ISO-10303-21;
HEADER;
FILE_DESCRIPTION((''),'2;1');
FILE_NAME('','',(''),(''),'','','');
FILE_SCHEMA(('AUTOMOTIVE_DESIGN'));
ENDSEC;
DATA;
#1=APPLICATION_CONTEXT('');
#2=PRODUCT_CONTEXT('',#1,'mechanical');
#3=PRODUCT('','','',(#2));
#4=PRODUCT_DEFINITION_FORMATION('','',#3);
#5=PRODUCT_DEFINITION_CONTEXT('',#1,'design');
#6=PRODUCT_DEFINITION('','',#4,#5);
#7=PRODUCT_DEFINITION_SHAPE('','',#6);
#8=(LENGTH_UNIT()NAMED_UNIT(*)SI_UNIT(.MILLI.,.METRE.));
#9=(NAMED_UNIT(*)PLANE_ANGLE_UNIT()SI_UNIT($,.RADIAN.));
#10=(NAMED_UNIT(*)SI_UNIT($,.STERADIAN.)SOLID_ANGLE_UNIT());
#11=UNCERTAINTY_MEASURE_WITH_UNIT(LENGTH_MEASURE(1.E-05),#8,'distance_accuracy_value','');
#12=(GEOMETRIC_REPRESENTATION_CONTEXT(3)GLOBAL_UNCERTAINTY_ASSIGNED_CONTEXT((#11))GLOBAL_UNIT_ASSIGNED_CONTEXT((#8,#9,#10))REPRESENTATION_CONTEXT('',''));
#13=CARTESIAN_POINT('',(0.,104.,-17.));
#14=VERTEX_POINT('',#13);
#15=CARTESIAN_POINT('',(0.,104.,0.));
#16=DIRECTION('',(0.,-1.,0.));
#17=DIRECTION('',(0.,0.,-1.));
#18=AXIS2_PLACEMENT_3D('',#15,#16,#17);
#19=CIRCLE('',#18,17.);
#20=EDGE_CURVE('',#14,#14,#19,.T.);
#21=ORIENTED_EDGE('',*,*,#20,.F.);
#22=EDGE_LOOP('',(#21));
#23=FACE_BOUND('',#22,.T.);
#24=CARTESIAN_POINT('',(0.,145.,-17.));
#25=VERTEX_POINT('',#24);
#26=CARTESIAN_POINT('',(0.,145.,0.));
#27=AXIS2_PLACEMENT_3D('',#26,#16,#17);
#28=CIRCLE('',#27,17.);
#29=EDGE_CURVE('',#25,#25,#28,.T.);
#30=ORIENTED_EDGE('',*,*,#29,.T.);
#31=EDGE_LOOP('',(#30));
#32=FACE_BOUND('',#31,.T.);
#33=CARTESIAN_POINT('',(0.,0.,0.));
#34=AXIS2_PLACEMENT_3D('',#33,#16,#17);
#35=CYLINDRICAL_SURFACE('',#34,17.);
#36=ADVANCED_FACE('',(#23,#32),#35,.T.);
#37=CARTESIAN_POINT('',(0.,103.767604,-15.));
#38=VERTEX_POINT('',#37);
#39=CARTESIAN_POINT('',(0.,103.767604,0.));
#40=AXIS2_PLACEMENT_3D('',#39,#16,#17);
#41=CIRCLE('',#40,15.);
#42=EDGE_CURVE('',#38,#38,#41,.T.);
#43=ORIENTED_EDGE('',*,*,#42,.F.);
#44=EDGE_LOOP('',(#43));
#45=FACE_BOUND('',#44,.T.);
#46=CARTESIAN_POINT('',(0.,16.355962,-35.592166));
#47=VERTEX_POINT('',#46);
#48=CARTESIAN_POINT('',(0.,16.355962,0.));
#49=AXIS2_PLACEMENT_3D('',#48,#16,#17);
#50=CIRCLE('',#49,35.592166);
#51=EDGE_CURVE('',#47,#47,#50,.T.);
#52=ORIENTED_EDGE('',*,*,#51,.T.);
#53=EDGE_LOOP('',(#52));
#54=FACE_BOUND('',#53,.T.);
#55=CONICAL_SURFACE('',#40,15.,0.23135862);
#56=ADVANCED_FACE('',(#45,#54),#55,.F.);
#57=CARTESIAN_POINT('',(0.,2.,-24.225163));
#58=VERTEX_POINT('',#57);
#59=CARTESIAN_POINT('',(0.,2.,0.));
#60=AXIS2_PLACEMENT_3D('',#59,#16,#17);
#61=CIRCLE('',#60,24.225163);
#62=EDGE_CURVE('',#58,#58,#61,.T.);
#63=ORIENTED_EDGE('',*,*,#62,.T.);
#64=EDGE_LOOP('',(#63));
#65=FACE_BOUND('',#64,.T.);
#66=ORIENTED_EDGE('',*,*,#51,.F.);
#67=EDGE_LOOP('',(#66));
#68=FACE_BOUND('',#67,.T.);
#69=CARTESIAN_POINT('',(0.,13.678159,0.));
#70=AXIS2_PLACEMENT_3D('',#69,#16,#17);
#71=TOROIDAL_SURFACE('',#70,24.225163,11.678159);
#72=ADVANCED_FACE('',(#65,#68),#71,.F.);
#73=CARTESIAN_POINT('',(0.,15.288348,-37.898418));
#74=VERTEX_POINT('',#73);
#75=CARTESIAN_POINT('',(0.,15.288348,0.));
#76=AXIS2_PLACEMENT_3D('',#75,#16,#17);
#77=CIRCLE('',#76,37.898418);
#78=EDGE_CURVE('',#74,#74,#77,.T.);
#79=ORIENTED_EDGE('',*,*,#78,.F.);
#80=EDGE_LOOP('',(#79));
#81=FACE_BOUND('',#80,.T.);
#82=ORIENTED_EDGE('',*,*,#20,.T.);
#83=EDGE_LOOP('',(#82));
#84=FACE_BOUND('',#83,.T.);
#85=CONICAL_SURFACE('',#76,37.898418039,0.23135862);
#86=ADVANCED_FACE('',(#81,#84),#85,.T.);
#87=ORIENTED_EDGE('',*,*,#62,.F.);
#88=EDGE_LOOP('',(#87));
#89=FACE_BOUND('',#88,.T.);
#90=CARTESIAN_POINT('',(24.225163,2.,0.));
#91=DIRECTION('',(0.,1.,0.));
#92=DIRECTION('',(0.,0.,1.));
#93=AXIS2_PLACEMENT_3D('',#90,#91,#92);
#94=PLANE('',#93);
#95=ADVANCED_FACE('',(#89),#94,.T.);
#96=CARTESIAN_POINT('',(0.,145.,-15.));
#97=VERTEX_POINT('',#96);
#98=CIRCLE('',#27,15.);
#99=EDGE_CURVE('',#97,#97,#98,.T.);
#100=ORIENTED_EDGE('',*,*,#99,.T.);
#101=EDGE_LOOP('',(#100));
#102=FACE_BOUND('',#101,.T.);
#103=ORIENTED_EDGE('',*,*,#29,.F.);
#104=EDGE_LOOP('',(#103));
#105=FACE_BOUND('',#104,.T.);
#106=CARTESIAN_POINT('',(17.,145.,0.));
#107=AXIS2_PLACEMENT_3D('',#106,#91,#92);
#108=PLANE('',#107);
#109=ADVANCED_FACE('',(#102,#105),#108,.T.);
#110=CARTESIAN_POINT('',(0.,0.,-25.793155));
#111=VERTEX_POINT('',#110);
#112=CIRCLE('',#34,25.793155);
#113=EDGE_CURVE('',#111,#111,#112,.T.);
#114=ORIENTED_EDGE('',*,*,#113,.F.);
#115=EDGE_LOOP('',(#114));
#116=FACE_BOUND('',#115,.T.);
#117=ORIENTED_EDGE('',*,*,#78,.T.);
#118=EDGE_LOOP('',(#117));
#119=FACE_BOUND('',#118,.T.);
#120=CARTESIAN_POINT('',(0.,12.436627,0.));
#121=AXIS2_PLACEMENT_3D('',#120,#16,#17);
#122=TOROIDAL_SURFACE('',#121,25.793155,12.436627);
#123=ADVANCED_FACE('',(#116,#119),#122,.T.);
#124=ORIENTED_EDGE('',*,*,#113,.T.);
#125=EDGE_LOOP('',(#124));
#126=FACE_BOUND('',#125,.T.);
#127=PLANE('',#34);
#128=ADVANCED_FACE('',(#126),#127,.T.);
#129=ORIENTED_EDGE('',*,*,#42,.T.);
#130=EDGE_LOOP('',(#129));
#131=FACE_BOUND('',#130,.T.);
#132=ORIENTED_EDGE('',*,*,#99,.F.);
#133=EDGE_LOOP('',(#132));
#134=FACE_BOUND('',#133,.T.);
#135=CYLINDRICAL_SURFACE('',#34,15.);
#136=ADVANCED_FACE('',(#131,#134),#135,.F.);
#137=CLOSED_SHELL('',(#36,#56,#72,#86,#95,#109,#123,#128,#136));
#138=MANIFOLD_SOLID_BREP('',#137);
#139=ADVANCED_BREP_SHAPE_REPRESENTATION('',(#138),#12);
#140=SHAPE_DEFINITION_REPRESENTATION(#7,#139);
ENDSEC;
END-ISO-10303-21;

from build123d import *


with BuildPart() as part:
    # Croquis2 → Revolución1 (revolve)
    with BuildSketch(Plane.XY, mode=Mode.PRIVATE) as revoluci_n1_sk:
        with BuildLine():
            Line((17, 145), (17, 104))
            Line((17, 104), (37.898418039, 15.288347915))
            ThreePointArc((37.898418039, 15.288347915), (35.543424025, 4.716396984), (25.793155167, 0))
            Line((25.793155167, 0), (0, 0))
            Line((0, 0), (0, 2))
            Line((0, 2), (24.225162721, 2))
            ThreePointArc((24.225162721, 2), (33.380794894, 6.428759514), (35.592165604, 16.355962086))
            Line((35.592165604, 16.355962086), (15, 103.767603835))
            Line((15, 103.767603835), (15, 145))
            Line((15, 145), (17, 145))
        make_face()
    revolve(revoluci_n1_sk.sketch.rotate(Axis((0, 0, 0), (0, 1, 0)), 90), axis=Axis((0, 0, 0), (0, 1, 0)))


solid = part.part
